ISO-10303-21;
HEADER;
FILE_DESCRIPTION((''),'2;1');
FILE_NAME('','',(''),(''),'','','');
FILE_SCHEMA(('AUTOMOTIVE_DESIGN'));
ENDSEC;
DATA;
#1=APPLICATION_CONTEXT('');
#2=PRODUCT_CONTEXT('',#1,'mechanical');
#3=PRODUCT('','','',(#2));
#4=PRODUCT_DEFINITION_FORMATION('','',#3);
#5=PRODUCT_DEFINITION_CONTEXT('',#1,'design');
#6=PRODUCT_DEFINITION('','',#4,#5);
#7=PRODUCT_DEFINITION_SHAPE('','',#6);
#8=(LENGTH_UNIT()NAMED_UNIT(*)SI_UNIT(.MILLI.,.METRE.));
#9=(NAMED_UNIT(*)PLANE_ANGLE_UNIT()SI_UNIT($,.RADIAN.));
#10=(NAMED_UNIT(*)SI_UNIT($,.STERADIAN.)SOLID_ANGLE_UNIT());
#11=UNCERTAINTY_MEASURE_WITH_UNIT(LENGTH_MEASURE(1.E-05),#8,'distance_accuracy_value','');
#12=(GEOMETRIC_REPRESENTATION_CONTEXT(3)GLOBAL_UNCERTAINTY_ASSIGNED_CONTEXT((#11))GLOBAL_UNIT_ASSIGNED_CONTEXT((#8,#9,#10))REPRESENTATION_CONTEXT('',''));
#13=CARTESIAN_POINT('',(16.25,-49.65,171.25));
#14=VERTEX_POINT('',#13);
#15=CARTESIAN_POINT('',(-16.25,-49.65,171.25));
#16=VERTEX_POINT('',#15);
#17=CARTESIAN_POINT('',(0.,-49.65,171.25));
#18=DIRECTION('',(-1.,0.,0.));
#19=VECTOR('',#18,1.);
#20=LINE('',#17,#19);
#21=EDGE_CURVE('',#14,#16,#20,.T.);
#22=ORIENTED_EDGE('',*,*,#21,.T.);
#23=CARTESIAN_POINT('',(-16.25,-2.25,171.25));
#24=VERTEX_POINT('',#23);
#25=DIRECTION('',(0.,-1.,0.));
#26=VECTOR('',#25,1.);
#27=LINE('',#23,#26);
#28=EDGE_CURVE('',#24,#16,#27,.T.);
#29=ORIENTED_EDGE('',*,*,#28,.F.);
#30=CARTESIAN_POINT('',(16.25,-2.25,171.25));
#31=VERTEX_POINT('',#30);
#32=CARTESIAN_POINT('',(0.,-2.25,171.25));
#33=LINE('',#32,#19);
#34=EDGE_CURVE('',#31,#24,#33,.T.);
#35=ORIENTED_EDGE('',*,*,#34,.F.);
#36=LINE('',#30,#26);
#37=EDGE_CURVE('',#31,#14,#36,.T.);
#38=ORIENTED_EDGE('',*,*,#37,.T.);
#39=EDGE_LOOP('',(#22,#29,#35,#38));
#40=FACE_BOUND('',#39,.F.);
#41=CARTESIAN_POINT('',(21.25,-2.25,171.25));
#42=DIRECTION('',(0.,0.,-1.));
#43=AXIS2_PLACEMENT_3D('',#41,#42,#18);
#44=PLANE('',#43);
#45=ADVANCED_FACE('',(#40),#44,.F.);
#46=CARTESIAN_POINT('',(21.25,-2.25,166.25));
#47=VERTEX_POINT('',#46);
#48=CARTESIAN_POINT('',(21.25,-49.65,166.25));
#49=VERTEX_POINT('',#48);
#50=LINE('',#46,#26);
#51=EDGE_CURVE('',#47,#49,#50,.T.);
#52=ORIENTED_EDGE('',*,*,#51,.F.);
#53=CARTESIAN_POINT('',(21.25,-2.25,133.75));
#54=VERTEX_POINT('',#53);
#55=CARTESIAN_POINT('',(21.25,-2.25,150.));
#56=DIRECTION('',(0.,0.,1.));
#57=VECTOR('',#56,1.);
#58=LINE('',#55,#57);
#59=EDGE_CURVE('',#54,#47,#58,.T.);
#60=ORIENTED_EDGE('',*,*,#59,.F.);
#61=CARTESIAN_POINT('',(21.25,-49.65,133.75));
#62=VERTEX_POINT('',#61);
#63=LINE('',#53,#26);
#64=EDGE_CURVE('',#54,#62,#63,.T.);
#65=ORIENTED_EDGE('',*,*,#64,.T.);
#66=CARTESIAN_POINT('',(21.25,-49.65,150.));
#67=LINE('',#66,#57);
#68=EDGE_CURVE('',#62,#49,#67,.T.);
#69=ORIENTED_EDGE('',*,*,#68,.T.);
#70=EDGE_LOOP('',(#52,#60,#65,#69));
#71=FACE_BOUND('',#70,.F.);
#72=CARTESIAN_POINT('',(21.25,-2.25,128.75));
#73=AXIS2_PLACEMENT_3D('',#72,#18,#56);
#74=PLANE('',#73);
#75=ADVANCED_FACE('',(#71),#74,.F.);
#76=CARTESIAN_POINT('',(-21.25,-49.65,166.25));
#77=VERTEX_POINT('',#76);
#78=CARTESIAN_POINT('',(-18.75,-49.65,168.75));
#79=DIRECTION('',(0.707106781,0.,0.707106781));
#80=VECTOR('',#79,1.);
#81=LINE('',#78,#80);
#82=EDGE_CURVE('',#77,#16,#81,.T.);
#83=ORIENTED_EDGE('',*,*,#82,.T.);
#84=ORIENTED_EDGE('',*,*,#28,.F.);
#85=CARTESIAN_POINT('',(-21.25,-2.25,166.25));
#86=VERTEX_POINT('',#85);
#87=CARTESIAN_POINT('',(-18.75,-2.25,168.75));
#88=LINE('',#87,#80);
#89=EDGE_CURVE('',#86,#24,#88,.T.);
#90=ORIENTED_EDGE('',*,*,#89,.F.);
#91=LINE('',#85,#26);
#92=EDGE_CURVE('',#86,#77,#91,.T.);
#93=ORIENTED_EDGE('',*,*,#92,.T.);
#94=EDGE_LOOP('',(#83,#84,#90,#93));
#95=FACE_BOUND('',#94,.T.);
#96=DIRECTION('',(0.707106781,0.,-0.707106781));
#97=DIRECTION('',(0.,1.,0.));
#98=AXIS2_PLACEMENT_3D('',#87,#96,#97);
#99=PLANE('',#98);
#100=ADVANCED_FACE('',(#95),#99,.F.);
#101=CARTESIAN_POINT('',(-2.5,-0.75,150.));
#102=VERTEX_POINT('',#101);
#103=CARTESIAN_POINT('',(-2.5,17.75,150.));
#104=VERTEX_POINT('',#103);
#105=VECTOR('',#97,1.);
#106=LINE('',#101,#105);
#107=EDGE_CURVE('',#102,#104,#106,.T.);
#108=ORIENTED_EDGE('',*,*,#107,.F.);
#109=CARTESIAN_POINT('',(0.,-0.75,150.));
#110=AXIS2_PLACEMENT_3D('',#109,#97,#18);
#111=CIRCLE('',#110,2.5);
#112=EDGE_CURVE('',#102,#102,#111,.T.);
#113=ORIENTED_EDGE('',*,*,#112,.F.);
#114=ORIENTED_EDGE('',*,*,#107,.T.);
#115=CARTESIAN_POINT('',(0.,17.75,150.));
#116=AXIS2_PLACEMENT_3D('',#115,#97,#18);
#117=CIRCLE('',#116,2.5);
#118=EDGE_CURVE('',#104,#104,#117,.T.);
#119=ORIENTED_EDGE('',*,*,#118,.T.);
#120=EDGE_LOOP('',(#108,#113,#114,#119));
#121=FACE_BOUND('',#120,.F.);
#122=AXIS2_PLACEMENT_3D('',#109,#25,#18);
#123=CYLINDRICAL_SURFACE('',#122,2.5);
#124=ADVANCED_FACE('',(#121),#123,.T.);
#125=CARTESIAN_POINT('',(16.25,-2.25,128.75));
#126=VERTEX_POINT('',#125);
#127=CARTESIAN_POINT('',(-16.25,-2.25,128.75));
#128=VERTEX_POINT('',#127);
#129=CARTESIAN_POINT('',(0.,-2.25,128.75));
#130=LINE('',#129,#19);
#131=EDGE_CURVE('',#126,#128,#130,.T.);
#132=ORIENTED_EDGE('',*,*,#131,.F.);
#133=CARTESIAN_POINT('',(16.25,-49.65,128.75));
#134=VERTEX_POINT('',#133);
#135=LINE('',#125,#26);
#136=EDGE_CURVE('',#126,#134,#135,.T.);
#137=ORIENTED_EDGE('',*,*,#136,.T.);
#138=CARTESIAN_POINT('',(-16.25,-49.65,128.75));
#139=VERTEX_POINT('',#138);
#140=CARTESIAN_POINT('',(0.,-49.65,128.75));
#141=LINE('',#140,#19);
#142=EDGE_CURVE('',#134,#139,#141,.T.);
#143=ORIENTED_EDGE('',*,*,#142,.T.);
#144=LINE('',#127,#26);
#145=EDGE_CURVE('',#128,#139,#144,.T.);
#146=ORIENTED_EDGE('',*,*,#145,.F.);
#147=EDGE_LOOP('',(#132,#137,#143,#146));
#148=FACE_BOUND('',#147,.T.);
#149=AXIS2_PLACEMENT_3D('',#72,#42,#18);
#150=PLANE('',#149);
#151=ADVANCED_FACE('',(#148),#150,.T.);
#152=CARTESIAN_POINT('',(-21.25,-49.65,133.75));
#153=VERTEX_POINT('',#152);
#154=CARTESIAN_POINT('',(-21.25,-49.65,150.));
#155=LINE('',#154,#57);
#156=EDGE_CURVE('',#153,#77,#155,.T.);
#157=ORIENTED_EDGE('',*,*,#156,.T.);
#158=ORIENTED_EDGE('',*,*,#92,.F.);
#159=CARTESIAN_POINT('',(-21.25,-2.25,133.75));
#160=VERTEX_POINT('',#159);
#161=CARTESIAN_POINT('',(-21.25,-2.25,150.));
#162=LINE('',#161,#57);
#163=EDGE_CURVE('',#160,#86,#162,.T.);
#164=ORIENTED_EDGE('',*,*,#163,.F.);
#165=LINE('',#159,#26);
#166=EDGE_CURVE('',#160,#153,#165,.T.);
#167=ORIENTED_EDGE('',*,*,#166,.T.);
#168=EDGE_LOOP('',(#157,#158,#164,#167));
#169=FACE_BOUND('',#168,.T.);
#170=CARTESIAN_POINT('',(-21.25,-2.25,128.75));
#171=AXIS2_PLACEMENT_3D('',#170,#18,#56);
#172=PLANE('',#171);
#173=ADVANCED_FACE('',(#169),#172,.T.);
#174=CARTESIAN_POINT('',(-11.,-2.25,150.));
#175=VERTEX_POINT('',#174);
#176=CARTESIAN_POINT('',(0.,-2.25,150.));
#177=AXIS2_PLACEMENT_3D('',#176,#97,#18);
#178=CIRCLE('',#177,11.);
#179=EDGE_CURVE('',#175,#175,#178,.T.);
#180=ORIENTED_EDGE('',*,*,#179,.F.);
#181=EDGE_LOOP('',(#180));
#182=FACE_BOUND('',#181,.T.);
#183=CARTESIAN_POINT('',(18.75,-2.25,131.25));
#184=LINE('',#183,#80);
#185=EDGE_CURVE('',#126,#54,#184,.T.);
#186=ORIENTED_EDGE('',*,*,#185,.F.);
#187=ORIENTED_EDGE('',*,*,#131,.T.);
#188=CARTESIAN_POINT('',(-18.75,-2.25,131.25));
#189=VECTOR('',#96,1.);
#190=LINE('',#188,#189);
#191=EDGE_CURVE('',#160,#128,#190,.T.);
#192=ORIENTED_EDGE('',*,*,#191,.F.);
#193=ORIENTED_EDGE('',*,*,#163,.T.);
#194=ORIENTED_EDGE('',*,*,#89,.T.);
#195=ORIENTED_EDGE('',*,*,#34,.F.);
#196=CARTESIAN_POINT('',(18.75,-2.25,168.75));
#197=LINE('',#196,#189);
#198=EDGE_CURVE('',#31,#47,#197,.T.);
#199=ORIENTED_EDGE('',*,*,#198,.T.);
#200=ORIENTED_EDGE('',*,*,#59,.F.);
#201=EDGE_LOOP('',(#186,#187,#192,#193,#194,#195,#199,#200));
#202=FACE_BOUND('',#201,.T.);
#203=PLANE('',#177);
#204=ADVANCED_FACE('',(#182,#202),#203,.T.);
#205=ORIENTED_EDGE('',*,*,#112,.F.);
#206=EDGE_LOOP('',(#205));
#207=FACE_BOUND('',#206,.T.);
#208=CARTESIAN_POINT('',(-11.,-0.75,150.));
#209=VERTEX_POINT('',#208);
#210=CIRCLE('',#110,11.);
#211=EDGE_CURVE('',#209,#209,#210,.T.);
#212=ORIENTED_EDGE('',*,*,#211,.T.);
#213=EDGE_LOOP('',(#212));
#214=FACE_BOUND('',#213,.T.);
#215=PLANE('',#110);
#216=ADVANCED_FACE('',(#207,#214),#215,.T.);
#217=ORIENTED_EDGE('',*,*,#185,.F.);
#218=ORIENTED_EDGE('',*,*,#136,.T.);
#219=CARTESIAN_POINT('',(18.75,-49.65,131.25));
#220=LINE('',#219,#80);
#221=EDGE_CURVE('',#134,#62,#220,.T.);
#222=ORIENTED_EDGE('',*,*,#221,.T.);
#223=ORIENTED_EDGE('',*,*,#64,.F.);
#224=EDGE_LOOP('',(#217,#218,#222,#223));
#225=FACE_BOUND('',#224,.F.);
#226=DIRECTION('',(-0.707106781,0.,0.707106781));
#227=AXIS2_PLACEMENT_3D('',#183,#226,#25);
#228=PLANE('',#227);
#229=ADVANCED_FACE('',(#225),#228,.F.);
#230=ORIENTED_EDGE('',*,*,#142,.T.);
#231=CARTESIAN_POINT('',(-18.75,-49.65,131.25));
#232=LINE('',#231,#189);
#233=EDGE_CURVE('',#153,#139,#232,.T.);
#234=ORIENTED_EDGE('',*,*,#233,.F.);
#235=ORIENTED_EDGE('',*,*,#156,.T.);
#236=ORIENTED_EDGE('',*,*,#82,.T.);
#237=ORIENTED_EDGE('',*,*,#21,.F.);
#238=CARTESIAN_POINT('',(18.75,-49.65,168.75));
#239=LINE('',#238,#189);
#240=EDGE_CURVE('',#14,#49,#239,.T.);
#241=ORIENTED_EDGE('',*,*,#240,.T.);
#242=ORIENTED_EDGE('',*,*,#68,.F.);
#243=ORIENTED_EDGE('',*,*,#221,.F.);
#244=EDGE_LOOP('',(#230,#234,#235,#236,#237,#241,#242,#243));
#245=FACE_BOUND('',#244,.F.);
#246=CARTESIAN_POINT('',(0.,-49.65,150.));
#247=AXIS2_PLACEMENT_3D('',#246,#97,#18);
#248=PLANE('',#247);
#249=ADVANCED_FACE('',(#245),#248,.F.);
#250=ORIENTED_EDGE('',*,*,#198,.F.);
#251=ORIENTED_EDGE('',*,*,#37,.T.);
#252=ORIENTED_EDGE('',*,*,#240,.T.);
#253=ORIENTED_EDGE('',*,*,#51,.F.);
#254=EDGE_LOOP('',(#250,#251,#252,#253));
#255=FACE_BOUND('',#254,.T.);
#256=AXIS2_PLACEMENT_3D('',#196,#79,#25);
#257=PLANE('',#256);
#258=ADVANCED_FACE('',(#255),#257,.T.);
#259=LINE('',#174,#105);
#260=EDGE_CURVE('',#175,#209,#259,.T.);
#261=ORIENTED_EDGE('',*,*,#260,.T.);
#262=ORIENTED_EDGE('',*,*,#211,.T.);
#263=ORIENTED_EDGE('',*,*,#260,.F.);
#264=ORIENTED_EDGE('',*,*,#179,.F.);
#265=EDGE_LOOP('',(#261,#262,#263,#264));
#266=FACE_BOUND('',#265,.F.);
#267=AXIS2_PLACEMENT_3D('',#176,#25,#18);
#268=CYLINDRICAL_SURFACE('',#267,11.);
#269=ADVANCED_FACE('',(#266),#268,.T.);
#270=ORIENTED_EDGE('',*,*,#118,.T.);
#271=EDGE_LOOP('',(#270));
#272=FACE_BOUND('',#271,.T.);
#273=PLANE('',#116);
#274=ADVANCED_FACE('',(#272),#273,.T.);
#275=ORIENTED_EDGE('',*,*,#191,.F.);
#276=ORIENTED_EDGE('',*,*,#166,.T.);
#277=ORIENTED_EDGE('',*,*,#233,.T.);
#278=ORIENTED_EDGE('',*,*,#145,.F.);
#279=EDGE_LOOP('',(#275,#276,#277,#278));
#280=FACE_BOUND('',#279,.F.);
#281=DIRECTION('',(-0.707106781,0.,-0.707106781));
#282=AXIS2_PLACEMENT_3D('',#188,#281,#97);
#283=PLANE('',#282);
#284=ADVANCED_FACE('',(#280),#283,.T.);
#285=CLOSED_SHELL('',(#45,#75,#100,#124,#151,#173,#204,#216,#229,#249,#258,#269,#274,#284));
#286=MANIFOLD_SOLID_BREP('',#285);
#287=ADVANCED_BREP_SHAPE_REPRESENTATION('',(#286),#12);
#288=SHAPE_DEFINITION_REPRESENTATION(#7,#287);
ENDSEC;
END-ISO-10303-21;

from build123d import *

# Parameters (mm, degrees)
SKETCH045_W             = 42.5
SKETCH045_H             = 42.5
PAD015_DEPTH            = 47.4
CHAMFER009_SIZE         = 5
CHAMFER008_SIZE         = 5
CHAMFER010_SIZE         = 5
CHAMFER011_SIZE         = 5
SKETCH047_R             = 11
PAD016_DEPTH            = 1.5
SKETCH046_R             = 2.5
PAD014_DEPTH            = 18.5
BODY010_PLACEMENT_ANGLE = 180


with BuildPart() as part:
    # Sketch045 → Pad015 (new body)
    with BuildSketch(Plane.XZ):
        Rectangle(SKETCH045_W, SKETCH045_H)
    extrude(amount=-PAD015_DEPTH)

    # Chamfer009
    chamfer009_edges = [part.edges().sort_by_distance(p)[0] for p in [
        (21.25, 23.7, 21.25),
    ]]
    chamfer(chamfer009_edges, length=CHAMFER009_SIZE)

    # Chamfer008
    chamfer008_edges = [part.edges().sort_by_distance(p)[0] for p in [
        (-21.25, 23.7, 21.25),
    ]]
    chamfer(chamfer008_edges, length=CHAMFER008_SIZE)

    # Chamfer010
    chamfer010_edges = [part.edges().sort_by_distance(p)[0] for p in [
        (21.25, 23.7, -21.25),
    ]]
    chamfer(chamfer010_edges, length=CHAMFER010_SIZE)

    # Chamfer011
    chamfer011_edges = [part.edges().sort_by_distance(p)[0] for p in [
        (-21.25, 23.7, -21.25),
    ]]
    chamfer(chamfer011_edges, length=CHAMFER011_SIZE)

    # Sketch047 (on Face1 of Chamfer011) → Pad016 (join)
    with BuildSketch(Plane.XZ):
        Circle(SKETCH047_R)
    extrude(amount=PAD016_DEPTH)

    # Sketch046 (on Face12 of Pad016) → Pad014 (join)
    with BuildSketch(Plane.XZ.offset(1.5)):
        Circle(SKETCH046_R)
    extrude(amount=PAD014_DEPTH)


with BuildPart() as part_1:
    # Body010 placement: moved
    add(part.part.moved(Location((0, -2.25, 150))).rotate(Axis((0, -2.25, 150), (0, 0, 1)), BODY010_PLACEMENT_ANGLE))


solid = part_1.part
